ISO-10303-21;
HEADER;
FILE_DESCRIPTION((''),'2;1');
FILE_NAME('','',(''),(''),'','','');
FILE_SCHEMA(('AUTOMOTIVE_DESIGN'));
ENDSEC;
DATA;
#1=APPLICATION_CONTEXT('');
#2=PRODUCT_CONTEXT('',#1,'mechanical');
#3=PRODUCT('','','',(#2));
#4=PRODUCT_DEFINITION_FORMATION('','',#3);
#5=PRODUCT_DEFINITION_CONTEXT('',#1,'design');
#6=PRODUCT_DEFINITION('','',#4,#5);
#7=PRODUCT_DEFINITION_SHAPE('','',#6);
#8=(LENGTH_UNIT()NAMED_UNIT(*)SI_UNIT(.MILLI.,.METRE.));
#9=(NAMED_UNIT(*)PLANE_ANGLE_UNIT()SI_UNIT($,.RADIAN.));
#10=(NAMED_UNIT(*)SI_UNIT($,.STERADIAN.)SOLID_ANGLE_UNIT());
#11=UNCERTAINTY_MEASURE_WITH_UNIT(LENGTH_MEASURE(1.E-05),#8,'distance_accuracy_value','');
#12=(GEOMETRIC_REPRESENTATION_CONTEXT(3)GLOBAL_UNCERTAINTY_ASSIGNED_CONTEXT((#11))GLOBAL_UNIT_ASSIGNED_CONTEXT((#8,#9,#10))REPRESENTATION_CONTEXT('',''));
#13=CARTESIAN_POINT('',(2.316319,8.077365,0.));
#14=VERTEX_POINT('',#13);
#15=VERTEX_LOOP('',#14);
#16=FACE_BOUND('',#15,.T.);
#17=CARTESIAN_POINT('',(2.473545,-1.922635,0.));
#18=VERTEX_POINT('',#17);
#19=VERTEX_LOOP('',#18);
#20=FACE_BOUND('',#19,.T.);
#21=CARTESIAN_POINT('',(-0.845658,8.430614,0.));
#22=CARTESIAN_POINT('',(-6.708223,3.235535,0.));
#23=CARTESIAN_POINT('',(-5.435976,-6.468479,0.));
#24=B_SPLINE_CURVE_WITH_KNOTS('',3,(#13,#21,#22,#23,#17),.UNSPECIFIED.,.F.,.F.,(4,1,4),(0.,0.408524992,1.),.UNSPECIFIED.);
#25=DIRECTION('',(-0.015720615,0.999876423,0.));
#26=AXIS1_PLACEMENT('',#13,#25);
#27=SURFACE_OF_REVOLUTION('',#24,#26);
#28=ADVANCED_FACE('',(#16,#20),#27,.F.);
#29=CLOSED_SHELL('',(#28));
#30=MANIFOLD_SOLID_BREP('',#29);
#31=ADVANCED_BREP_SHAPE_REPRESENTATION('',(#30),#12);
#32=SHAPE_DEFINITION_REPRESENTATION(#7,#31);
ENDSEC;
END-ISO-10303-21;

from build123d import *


with BuildPart() as part:
    # 草图1 → 旋转1 (revolve)
    with BuildSketch(Plane.XY):
        with BuildLine():
            Line((2.316319377, 8.077364618), (2.473544958, -1.922635382))
            add(Edge.make_bspline(
                [(2.316319377, 8.077364618), (-0.845658429, 8.430613833), (-6.708222968, 3.235534762), (-5.435976208, -6.468478636), (2.473544958, -1.922635382)],
                knots=[0, 0, 0, 0, 0.408524992, 1, 1, 1, 1], degree=3))
        make_face()
    revolve(axis=Axis((2.316319377, 8.077364618, 0), (0.01572061517446641, -0.9998764234936918, 0)))


solid = part.part
